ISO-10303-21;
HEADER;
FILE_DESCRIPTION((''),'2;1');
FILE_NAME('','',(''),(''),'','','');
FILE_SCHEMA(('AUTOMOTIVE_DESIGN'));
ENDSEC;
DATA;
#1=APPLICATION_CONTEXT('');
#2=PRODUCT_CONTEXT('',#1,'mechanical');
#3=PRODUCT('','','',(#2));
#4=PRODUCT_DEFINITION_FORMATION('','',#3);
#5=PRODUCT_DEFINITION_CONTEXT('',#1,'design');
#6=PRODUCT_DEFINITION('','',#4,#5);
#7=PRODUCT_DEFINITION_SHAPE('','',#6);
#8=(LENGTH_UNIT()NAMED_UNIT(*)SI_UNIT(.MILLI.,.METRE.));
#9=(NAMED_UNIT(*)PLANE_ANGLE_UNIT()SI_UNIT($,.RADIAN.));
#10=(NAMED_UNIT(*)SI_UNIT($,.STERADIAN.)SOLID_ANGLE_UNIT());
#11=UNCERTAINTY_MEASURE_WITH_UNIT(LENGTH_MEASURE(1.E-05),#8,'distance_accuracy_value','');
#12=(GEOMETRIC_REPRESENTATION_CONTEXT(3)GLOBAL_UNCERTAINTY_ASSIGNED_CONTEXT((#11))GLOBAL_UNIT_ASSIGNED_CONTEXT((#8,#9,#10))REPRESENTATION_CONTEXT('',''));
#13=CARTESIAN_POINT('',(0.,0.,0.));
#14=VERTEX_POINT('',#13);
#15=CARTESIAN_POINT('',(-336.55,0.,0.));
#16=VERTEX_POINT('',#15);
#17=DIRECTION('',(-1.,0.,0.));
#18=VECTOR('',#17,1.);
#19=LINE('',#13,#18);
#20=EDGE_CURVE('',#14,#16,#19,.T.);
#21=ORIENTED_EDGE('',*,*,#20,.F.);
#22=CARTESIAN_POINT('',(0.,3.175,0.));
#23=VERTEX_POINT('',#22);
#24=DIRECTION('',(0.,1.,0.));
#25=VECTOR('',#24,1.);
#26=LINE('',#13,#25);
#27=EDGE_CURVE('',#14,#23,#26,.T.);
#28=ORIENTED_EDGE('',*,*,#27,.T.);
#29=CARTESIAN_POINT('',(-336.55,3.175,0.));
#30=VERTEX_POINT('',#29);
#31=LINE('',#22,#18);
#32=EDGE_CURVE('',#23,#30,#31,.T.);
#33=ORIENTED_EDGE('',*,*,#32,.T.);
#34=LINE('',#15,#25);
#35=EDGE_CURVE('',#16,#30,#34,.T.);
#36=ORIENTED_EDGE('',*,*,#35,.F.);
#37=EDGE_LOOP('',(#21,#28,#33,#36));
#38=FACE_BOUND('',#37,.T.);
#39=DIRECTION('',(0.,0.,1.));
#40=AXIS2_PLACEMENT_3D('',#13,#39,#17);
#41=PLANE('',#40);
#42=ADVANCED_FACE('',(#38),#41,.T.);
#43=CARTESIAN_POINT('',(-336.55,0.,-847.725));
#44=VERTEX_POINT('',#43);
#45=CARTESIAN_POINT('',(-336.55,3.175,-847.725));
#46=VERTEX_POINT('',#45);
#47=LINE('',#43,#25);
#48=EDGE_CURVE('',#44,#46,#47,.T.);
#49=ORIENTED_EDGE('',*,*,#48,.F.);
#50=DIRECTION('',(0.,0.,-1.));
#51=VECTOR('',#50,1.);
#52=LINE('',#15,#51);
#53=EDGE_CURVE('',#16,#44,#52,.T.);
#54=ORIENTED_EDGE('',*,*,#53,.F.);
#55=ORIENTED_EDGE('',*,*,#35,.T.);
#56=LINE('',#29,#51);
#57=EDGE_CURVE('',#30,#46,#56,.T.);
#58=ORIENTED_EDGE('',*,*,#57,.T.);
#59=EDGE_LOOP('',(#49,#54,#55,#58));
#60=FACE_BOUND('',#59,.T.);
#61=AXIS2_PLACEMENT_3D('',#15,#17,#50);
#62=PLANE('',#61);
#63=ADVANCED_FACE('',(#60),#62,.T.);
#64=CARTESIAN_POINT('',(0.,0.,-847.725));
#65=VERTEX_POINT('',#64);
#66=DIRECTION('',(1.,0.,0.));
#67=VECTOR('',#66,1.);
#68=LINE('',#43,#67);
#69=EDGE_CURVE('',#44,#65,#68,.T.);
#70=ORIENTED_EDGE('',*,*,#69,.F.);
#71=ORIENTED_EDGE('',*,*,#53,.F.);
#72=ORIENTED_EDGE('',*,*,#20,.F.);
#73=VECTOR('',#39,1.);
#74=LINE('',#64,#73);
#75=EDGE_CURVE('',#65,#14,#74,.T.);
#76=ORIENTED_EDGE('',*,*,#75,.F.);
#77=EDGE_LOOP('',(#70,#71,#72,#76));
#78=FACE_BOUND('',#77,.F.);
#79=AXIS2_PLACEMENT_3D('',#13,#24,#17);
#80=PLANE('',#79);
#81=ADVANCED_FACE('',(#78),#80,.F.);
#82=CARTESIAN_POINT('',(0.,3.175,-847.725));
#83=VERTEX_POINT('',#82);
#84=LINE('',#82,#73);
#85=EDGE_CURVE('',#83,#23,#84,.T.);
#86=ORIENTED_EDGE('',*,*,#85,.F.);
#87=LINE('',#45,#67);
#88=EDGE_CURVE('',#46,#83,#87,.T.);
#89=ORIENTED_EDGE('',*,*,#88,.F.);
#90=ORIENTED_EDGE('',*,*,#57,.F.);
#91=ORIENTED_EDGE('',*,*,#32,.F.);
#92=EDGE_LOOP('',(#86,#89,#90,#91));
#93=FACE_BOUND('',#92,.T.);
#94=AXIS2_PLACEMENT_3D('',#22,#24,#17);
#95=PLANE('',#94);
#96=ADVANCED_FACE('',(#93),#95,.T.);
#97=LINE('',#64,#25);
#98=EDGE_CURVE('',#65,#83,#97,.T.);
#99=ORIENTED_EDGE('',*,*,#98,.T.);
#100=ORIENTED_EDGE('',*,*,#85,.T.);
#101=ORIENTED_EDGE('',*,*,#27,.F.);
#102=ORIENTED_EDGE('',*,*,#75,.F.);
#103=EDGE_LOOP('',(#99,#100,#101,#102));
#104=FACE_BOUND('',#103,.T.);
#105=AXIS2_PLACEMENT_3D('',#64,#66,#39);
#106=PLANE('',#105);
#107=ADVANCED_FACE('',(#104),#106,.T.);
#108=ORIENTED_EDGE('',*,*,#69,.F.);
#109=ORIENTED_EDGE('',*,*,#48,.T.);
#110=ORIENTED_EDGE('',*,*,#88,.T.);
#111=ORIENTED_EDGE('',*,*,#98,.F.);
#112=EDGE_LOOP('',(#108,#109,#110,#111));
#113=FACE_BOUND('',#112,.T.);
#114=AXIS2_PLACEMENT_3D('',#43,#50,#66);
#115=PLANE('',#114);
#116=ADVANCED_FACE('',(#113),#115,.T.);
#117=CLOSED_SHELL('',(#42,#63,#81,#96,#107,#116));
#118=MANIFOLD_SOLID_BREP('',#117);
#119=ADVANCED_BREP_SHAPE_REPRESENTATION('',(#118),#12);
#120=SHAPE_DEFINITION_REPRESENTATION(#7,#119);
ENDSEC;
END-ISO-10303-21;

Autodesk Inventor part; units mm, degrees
ref_plane "YZ Plane" through (0, 0, 0) normal (1, 0, 0) x (0, 1, 0)
ref_plane "XZ Plane" through (0, 0, 0) normal (0, 1, 0) x (-1, 0, 0)
ref_plane "XY Plane" through (0, 0, 0) normal (0, 0, 1) x (1, 0, 0)
sketch "Sketch1" plane through (0, 0, 0) normal (0, 1, 0) x (-1, 0, 0)
  line L0 (0, 0) -> (336.55, 0)
  line L1 (336.55, 0) -> (336.55, -847.725)
  line L2 (336.55, -847.725) -> (0, -847.725)
  line L3 (0, -847.725) -> (0, 0)
  dimension "d0" = 336.55
  dimension "d1" = 847.725
extrude "Extrusion1" add sketch "Sketch1" along normal blind 3.175
properties part number "Shingle_With_Dimensions_13.25_x_33.375_Inches"
